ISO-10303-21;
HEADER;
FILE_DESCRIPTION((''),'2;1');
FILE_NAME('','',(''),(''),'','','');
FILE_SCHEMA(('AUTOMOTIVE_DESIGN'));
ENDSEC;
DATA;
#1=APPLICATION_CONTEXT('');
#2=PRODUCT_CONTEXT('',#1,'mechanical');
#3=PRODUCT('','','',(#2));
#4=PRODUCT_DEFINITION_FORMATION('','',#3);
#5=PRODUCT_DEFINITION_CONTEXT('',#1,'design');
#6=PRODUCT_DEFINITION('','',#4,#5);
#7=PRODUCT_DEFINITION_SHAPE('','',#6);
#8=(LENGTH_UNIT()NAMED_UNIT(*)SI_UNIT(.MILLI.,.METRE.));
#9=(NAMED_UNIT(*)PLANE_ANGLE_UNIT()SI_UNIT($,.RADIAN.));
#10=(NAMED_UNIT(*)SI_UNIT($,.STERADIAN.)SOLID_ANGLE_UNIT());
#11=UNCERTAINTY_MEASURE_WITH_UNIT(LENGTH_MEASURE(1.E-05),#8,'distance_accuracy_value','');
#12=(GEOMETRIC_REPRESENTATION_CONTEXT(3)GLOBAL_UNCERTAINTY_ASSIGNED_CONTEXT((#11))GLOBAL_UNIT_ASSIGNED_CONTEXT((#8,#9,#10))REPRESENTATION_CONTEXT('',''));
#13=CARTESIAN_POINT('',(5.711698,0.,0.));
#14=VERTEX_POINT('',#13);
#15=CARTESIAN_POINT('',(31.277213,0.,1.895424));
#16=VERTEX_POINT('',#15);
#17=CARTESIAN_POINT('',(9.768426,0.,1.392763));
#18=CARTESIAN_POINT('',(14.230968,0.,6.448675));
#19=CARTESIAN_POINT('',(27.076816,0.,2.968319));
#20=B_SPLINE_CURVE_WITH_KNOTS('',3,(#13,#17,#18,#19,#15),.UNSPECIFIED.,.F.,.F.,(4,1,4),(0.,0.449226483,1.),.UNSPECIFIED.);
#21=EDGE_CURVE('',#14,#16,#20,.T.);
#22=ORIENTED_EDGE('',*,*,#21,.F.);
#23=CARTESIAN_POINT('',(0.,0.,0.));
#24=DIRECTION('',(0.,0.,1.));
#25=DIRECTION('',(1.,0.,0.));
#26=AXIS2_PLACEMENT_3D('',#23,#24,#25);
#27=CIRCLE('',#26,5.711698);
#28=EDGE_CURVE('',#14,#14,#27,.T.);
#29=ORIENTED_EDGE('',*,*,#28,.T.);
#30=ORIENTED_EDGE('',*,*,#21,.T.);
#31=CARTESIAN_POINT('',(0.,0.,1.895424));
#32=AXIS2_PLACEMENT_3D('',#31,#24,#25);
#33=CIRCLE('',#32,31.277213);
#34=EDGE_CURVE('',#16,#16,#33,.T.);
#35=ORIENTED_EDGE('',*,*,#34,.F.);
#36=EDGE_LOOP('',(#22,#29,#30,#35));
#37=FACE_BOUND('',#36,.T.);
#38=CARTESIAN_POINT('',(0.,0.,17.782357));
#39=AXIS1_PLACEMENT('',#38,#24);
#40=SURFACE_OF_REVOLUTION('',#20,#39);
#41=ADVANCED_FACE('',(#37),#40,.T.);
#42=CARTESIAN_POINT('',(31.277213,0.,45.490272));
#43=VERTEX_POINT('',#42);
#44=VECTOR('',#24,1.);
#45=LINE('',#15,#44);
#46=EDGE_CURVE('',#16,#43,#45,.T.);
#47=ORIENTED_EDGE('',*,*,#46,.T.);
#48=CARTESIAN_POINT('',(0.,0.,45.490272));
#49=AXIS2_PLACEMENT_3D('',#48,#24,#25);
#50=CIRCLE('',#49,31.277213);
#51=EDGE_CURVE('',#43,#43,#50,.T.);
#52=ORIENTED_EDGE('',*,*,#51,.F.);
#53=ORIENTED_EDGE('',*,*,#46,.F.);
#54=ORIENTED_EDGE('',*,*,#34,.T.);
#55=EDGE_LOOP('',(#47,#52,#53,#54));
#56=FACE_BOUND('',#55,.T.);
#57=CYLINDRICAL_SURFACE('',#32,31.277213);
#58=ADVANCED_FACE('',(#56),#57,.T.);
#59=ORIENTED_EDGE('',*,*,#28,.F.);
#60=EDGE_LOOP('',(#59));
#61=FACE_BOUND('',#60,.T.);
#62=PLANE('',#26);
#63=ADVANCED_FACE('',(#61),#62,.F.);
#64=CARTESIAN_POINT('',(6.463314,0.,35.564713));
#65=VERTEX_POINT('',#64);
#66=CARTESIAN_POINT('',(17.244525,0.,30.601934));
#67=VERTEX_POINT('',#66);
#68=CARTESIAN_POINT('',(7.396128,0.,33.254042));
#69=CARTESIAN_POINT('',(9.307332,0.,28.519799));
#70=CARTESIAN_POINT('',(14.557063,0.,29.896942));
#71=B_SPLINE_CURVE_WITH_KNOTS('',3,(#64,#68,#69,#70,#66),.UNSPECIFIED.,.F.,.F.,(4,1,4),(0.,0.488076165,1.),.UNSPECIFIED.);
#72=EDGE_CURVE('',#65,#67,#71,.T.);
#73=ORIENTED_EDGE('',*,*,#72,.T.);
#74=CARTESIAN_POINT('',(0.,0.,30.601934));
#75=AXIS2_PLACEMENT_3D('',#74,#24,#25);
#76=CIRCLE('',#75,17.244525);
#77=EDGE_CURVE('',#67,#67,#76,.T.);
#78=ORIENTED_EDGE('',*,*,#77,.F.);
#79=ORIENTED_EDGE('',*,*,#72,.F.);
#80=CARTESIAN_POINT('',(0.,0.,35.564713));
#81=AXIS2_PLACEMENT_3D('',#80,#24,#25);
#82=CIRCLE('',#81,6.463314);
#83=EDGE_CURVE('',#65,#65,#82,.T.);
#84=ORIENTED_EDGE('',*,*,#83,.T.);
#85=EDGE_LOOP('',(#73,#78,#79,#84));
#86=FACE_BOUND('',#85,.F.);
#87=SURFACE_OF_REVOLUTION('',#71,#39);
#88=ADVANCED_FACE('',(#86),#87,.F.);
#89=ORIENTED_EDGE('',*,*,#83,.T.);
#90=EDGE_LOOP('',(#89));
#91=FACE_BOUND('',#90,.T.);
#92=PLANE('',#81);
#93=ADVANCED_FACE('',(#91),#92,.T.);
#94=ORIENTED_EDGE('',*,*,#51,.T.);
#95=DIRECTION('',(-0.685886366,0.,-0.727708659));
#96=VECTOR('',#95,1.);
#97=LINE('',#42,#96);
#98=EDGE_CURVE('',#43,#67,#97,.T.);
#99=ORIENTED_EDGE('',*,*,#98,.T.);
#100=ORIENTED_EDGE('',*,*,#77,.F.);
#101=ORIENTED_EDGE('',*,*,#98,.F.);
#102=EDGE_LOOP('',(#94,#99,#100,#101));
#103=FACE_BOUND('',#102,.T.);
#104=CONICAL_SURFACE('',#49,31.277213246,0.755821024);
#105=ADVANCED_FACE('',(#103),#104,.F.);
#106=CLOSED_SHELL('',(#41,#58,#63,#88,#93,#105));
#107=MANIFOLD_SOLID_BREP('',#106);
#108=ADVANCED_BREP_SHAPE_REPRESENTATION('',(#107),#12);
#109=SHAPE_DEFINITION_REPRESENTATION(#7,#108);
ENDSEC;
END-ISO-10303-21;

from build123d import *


with BuildPart() as f1:
    # F0 (on Front) → F1 (revolve)
    with BuildSketch(Plane.XZ):
        with BuildLine():
            Line((0, 35.5647131801), (0, 0))
            Line((0, 0), (5.7116975076, 0))
            add(Edge.make_bspline(
                [(5.7116975076, 0), (9.7684258885, 1.3927630293), (14.2309682704, 6.4486748158), (27.0768163621, 2.9683188767), (31.2772132456, 1.8954238622)],
                knots=[0, 0, 0, 0, 0.449226483, 1, 1, 1, 1], degree=3))
            Line((31.2772132456, 1.8954238622), (31.2772132456, 45.4902723432))
            Line((31.2772132456, 45.4902723432), (17.2445252538, 30.6019335985))
            add(Edge.make_bspline(
                [(6.4633144066, 35.5647131801), (7.3961277309, 33.2540420548), (9.307332152, 28.5197991411), (14.5570629373, 29.8969415666), (17.2445252538, 30.6019335985)],
                knots=[0, 0, 0, 0, 0.488076165, 1, 1, 1, 1], degree=3))
            Line((6.4633144066, 35.5647131801), (0, 35.5647131801))
        make_face()
    revolve(axis=Axis((0, 0, 17.78235659), (0, 0, 1)))


solid = f1.part
